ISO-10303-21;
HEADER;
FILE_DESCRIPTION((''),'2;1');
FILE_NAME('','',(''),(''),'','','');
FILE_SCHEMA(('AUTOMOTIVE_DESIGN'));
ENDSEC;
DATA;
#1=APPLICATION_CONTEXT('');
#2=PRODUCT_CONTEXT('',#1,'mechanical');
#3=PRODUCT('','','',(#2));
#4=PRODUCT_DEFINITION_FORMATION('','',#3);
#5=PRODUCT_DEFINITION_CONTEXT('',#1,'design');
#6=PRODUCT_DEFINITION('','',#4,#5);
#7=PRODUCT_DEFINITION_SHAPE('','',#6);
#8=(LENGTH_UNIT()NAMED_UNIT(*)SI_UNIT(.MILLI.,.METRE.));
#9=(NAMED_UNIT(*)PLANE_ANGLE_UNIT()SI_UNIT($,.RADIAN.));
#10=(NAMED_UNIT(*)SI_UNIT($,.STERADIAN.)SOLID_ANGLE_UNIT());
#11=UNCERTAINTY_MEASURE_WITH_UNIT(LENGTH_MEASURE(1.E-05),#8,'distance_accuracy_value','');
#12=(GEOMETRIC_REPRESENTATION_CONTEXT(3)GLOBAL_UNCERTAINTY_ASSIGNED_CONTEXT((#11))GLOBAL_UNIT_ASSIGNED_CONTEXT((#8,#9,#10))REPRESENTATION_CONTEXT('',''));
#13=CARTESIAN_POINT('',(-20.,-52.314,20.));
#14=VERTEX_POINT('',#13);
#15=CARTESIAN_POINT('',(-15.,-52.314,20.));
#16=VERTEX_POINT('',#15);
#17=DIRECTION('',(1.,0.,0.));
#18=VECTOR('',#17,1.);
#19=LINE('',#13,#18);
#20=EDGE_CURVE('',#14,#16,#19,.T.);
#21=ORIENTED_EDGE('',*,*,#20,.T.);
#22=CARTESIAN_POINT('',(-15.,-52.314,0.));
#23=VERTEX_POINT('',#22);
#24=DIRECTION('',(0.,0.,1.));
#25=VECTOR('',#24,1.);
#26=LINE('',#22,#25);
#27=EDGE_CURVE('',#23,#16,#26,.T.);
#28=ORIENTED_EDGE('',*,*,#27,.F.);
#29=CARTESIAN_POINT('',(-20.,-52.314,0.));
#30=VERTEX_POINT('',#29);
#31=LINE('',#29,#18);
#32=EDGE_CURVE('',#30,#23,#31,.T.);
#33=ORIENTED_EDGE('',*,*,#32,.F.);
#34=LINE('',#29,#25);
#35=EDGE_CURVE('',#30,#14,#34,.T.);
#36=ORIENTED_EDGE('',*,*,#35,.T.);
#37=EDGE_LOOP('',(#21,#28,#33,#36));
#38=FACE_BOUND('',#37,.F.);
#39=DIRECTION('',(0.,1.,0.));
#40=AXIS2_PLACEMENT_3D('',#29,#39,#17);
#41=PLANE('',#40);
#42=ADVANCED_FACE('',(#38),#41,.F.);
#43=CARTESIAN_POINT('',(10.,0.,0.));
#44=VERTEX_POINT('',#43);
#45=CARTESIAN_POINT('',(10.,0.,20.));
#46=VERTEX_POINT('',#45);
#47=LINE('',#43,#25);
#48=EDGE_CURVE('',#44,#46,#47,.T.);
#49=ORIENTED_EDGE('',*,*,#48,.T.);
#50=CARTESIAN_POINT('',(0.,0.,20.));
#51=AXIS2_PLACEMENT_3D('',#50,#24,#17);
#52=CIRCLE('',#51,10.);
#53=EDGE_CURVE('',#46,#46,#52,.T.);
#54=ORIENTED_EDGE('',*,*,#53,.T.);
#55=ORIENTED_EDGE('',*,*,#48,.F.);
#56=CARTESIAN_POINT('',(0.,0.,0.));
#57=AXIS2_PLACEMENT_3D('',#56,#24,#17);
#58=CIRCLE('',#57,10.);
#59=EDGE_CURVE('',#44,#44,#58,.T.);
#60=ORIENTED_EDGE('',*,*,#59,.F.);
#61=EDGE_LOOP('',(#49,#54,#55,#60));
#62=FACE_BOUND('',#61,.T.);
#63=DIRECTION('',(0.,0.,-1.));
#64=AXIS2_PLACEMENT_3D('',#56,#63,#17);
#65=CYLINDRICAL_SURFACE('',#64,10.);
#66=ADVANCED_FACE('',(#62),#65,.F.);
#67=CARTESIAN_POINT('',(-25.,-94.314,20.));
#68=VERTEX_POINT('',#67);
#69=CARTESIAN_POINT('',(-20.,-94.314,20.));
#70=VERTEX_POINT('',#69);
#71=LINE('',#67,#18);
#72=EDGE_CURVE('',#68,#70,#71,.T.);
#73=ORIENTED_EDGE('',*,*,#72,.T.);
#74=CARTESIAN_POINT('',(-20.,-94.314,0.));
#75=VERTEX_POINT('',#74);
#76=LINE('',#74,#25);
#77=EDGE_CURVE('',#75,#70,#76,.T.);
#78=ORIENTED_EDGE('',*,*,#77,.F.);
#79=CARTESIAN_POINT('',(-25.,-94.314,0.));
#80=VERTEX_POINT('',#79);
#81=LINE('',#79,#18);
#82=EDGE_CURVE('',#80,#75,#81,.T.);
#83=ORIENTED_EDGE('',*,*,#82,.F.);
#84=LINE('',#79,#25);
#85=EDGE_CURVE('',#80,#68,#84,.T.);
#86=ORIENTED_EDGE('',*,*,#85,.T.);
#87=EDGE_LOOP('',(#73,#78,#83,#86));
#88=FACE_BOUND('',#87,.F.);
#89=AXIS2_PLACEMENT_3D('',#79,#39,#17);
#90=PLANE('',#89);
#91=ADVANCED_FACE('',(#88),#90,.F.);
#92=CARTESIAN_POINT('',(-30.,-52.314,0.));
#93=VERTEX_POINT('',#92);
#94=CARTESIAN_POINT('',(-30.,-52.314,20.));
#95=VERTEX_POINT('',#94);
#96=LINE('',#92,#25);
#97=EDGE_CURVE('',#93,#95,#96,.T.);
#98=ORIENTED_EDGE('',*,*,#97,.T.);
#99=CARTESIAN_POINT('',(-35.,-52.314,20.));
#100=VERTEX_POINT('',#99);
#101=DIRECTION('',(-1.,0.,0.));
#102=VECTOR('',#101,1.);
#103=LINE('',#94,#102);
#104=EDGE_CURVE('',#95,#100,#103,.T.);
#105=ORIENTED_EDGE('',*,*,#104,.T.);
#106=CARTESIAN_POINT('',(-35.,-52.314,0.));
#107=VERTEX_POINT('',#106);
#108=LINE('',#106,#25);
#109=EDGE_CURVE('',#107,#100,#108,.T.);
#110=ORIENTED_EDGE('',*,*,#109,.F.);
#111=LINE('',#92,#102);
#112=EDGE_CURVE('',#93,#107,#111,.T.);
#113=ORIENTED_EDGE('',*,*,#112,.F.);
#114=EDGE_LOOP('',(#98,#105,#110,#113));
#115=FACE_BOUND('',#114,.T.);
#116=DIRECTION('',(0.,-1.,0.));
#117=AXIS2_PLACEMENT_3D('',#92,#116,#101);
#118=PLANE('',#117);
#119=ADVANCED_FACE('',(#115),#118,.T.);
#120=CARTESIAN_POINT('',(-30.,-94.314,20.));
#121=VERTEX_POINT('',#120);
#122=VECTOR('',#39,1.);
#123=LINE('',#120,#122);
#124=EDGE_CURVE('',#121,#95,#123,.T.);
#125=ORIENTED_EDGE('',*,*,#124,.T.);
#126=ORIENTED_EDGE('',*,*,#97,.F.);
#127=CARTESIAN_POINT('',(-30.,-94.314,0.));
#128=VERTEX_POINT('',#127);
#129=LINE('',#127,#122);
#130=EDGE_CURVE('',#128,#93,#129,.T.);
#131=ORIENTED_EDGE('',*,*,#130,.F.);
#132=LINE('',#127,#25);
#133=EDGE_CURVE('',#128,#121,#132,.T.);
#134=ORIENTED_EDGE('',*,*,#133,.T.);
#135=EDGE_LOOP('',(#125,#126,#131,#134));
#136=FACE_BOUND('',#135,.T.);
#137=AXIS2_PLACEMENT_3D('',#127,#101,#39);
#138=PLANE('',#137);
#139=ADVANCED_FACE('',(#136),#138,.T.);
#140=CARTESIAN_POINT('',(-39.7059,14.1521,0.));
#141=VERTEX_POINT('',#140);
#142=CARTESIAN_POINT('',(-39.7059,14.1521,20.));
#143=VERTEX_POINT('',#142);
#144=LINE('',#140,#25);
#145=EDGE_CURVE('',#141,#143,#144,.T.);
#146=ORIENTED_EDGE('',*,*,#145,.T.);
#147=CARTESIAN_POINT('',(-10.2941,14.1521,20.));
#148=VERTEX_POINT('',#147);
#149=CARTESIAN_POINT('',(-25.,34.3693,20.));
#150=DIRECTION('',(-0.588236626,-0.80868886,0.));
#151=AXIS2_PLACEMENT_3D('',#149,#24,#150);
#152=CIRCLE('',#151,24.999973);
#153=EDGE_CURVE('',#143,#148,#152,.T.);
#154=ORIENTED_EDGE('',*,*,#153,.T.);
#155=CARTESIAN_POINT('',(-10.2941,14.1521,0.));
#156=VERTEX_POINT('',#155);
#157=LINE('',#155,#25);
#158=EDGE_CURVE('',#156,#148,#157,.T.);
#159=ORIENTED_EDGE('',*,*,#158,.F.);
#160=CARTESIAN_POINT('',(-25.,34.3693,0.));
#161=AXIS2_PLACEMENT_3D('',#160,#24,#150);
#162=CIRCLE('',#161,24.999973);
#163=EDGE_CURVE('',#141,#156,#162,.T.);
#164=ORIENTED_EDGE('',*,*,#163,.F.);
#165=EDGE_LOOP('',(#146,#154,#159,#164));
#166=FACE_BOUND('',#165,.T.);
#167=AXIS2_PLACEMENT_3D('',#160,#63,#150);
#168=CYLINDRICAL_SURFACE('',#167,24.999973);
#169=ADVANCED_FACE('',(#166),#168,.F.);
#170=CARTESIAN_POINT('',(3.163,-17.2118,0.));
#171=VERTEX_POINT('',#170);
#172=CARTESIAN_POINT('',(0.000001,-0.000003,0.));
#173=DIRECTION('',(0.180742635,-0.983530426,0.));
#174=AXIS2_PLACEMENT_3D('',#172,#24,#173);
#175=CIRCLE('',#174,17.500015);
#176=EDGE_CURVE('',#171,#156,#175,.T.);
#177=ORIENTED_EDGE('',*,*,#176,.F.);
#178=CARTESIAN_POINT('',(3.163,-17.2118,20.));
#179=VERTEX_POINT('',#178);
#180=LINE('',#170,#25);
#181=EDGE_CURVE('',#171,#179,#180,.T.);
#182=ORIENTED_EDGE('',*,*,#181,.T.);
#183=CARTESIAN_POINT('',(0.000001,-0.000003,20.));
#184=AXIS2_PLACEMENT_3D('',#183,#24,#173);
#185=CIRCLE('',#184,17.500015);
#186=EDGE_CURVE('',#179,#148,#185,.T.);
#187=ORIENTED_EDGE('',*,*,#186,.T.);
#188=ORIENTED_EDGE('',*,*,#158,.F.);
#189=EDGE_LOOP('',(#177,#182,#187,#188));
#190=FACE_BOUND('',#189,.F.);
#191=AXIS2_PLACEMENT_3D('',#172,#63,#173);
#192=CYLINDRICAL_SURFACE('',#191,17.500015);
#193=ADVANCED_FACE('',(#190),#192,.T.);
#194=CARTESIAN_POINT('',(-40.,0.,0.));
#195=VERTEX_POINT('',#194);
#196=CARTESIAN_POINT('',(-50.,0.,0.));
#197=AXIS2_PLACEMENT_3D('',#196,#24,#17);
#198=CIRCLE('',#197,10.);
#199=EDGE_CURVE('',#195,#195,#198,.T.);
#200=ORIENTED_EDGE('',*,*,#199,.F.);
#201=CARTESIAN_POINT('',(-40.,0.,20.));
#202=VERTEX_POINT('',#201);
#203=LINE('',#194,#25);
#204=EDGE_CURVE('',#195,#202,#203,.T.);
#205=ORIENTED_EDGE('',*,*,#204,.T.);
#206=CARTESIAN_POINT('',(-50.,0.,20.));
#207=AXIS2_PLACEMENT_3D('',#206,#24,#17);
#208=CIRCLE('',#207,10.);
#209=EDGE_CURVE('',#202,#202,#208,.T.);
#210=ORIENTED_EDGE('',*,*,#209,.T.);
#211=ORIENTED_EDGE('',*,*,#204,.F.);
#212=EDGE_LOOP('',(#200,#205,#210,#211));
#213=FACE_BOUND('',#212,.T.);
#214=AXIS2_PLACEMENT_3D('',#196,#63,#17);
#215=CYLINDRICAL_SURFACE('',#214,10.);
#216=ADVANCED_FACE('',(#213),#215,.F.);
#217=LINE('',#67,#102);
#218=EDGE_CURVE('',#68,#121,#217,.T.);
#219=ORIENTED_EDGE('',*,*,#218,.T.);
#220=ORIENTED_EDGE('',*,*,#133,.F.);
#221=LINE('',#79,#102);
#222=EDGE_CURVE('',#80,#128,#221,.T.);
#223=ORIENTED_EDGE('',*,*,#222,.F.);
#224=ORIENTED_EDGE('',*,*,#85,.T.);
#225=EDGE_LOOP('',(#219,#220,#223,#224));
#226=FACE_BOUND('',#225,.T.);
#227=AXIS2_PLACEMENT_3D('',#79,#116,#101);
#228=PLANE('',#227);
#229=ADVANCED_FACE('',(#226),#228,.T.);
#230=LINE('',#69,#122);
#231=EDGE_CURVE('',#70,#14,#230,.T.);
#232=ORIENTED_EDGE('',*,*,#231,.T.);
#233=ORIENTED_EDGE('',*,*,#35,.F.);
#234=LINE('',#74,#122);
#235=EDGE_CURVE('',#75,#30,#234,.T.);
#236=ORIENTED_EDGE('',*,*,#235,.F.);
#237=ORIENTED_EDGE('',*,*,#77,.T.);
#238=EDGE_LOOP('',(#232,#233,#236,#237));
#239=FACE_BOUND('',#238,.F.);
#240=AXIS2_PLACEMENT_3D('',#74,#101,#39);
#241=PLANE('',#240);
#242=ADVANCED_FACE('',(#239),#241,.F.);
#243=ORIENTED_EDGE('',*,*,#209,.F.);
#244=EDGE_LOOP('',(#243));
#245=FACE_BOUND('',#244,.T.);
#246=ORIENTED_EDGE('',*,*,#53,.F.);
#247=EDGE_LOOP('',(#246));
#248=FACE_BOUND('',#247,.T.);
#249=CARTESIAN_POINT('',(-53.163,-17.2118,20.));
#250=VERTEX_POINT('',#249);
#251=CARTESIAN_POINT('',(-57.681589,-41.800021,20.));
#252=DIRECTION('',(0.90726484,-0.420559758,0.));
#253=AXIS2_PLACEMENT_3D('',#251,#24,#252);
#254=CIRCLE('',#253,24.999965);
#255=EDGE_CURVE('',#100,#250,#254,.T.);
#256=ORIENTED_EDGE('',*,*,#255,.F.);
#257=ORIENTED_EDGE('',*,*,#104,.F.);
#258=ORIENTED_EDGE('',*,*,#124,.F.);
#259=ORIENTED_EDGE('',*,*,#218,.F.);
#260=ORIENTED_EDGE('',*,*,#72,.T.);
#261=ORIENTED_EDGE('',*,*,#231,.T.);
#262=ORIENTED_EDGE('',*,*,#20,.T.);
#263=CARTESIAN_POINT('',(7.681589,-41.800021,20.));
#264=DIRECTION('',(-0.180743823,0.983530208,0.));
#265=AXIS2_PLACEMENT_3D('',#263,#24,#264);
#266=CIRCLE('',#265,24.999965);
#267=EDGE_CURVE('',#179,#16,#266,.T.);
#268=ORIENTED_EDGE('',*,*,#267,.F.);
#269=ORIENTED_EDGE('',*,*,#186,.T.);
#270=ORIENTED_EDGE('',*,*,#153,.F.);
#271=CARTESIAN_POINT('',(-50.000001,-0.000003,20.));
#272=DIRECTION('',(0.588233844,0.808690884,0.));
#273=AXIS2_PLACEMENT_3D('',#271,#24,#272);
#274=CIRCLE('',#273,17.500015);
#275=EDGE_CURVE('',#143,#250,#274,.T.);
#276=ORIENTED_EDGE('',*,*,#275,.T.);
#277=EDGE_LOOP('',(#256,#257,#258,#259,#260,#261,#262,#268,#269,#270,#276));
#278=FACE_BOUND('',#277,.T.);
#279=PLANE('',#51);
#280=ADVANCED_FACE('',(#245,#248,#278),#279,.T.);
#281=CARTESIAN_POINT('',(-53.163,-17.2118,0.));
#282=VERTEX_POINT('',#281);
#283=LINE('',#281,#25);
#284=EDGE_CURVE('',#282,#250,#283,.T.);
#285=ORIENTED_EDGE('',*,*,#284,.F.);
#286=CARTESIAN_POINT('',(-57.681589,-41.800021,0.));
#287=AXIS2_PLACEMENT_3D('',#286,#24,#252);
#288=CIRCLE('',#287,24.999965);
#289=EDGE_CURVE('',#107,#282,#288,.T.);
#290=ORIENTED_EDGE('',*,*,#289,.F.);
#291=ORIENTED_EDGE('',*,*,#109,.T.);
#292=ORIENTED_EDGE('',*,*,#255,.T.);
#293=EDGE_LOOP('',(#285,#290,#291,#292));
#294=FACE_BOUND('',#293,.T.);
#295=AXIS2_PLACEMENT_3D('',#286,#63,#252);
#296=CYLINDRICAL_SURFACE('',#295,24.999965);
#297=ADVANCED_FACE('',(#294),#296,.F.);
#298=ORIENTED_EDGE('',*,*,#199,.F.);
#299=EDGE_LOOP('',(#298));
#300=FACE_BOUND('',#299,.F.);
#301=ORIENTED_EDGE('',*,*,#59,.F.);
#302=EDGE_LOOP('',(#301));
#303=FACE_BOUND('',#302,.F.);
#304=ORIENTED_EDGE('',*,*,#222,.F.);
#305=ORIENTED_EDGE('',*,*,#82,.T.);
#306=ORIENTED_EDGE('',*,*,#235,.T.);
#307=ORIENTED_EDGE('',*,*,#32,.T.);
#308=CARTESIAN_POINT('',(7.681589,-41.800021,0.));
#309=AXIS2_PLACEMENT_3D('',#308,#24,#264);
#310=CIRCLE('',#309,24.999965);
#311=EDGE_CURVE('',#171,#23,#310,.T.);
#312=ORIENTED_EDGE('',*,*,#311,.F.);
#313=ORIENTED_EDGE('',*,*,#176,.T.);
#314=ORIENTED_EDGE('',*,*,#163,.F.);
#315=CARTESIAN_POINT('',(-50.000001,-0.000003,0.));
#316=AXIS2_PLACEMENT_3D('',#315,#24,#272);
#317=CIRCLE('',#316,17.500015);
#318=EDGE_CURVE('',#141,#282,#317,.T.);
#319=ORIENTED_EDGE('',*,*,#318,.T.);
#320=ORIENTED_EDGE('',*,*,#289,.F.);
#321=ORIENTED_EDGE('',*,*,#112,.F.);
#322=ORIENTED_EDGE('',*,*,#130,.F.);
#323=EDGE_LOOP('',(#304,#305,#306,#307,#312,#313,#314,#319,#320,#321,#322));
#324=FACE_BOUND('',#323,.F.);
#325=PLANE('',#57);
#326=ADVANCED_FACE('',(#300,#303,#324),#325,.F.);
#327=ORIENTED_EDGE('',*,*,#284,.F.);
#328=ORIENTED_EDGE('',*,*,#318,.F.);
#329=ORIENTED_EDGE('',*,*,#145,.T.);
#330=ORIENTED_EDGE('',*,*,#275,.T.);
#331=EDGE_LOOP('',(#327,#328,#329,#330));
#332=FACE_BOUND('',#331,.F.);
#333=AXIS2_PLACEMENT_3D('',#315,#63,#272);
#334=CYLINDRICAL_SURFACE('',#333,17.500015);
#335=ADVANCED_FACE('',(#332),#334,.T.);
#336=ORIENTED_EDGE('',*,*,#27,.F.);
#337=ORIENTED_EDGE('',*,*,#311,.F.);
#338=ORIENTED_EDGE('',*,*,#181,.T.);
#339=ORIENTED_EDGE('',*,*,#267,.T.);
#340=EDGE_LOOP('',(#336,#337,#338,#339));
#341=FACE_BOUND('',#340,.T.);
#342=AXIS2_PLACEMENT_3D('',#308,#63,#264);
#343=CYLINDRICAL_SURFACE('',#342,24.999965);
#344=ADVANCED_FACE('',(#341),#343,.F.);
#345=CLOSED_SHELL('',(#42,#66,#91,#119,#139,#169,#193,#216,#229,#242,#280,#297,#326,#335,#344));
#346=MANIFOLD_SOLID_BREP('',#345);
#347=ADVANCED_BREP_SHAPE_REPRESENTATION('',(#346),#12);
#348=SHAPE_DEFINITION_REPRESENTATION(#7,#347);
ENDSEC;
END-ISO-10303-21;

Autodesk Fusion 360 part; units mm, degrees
sketch "Sketch1" plane through (0, 0, 0) normal (0, 0, 1) x (1, 0, 0)
  circle A0 centre (0, 0) radius 10
  line L0 (0, 0) -> (-50, 0) construction
  circle A1 centre (-50, 0) radius 10
  arc A2 (-39.7059, 14.1521) -> (-10.2941, 14.1521) centre (-25, 34.3693) ccw
  line L1 (9.4868, -28.4605) -> (9.4868, -40.9605)
  line L2 (-50, 0) -> (-50, 17.5) construction
  line L3 (-50, 17.5) -> (0, 17.5) construction
  line L4 (-25, 17.5) -> (-25, -94.314) construction
  line L5 (-25, -94.314) -> (-20, -94.314)
  line L6 (-25, -94.314) -> (-30, -94.314)
  line L7 (-20, -94.314) -> (-20, -52.314)
  line L8 (-30, -94.314) -> (-30, -52.314)
  line L9 (-20, -52.314) -> (-15, -52.314)
  line L10 (-30, -52.314) -> (-35, -52.314)
  arc A3 (-35, -52.314) -> (-53.163, -17.2118) centre (-57.6816, -41.8) ccw
  arc A4 (3.163, -17.2118) -> (-15, -52.314) centre (7.6816, -41.8) ccw
  arc A5 (-39.7059, 14.1521) -> (-53.163, -17.2118) centre (-50, 0) ccw
  arc A6 (3.163, -17.2118) -> (-10.2941, 14.1521) centre (0, 0) ccw
  dimension "d6" = 20
  dimension "d7" = 35
  dimension "d8" = 50
  dimension "d9" = 20
  dimension "d10" = 35
  dimension "d11" = 50
  dimension "d14" = 111.814
  dimension "d15" = 5
  dimension "d16" = 5
  dimension "d17" = 42
  dimension "d18" = 42
  dimension "d19" = 5
  dimension "d20" = 5
  dimension "d22" = 50
  dimension "d23" = 50
extrude "Extrude1" add sketch "Sketch1" along normal blind 20
